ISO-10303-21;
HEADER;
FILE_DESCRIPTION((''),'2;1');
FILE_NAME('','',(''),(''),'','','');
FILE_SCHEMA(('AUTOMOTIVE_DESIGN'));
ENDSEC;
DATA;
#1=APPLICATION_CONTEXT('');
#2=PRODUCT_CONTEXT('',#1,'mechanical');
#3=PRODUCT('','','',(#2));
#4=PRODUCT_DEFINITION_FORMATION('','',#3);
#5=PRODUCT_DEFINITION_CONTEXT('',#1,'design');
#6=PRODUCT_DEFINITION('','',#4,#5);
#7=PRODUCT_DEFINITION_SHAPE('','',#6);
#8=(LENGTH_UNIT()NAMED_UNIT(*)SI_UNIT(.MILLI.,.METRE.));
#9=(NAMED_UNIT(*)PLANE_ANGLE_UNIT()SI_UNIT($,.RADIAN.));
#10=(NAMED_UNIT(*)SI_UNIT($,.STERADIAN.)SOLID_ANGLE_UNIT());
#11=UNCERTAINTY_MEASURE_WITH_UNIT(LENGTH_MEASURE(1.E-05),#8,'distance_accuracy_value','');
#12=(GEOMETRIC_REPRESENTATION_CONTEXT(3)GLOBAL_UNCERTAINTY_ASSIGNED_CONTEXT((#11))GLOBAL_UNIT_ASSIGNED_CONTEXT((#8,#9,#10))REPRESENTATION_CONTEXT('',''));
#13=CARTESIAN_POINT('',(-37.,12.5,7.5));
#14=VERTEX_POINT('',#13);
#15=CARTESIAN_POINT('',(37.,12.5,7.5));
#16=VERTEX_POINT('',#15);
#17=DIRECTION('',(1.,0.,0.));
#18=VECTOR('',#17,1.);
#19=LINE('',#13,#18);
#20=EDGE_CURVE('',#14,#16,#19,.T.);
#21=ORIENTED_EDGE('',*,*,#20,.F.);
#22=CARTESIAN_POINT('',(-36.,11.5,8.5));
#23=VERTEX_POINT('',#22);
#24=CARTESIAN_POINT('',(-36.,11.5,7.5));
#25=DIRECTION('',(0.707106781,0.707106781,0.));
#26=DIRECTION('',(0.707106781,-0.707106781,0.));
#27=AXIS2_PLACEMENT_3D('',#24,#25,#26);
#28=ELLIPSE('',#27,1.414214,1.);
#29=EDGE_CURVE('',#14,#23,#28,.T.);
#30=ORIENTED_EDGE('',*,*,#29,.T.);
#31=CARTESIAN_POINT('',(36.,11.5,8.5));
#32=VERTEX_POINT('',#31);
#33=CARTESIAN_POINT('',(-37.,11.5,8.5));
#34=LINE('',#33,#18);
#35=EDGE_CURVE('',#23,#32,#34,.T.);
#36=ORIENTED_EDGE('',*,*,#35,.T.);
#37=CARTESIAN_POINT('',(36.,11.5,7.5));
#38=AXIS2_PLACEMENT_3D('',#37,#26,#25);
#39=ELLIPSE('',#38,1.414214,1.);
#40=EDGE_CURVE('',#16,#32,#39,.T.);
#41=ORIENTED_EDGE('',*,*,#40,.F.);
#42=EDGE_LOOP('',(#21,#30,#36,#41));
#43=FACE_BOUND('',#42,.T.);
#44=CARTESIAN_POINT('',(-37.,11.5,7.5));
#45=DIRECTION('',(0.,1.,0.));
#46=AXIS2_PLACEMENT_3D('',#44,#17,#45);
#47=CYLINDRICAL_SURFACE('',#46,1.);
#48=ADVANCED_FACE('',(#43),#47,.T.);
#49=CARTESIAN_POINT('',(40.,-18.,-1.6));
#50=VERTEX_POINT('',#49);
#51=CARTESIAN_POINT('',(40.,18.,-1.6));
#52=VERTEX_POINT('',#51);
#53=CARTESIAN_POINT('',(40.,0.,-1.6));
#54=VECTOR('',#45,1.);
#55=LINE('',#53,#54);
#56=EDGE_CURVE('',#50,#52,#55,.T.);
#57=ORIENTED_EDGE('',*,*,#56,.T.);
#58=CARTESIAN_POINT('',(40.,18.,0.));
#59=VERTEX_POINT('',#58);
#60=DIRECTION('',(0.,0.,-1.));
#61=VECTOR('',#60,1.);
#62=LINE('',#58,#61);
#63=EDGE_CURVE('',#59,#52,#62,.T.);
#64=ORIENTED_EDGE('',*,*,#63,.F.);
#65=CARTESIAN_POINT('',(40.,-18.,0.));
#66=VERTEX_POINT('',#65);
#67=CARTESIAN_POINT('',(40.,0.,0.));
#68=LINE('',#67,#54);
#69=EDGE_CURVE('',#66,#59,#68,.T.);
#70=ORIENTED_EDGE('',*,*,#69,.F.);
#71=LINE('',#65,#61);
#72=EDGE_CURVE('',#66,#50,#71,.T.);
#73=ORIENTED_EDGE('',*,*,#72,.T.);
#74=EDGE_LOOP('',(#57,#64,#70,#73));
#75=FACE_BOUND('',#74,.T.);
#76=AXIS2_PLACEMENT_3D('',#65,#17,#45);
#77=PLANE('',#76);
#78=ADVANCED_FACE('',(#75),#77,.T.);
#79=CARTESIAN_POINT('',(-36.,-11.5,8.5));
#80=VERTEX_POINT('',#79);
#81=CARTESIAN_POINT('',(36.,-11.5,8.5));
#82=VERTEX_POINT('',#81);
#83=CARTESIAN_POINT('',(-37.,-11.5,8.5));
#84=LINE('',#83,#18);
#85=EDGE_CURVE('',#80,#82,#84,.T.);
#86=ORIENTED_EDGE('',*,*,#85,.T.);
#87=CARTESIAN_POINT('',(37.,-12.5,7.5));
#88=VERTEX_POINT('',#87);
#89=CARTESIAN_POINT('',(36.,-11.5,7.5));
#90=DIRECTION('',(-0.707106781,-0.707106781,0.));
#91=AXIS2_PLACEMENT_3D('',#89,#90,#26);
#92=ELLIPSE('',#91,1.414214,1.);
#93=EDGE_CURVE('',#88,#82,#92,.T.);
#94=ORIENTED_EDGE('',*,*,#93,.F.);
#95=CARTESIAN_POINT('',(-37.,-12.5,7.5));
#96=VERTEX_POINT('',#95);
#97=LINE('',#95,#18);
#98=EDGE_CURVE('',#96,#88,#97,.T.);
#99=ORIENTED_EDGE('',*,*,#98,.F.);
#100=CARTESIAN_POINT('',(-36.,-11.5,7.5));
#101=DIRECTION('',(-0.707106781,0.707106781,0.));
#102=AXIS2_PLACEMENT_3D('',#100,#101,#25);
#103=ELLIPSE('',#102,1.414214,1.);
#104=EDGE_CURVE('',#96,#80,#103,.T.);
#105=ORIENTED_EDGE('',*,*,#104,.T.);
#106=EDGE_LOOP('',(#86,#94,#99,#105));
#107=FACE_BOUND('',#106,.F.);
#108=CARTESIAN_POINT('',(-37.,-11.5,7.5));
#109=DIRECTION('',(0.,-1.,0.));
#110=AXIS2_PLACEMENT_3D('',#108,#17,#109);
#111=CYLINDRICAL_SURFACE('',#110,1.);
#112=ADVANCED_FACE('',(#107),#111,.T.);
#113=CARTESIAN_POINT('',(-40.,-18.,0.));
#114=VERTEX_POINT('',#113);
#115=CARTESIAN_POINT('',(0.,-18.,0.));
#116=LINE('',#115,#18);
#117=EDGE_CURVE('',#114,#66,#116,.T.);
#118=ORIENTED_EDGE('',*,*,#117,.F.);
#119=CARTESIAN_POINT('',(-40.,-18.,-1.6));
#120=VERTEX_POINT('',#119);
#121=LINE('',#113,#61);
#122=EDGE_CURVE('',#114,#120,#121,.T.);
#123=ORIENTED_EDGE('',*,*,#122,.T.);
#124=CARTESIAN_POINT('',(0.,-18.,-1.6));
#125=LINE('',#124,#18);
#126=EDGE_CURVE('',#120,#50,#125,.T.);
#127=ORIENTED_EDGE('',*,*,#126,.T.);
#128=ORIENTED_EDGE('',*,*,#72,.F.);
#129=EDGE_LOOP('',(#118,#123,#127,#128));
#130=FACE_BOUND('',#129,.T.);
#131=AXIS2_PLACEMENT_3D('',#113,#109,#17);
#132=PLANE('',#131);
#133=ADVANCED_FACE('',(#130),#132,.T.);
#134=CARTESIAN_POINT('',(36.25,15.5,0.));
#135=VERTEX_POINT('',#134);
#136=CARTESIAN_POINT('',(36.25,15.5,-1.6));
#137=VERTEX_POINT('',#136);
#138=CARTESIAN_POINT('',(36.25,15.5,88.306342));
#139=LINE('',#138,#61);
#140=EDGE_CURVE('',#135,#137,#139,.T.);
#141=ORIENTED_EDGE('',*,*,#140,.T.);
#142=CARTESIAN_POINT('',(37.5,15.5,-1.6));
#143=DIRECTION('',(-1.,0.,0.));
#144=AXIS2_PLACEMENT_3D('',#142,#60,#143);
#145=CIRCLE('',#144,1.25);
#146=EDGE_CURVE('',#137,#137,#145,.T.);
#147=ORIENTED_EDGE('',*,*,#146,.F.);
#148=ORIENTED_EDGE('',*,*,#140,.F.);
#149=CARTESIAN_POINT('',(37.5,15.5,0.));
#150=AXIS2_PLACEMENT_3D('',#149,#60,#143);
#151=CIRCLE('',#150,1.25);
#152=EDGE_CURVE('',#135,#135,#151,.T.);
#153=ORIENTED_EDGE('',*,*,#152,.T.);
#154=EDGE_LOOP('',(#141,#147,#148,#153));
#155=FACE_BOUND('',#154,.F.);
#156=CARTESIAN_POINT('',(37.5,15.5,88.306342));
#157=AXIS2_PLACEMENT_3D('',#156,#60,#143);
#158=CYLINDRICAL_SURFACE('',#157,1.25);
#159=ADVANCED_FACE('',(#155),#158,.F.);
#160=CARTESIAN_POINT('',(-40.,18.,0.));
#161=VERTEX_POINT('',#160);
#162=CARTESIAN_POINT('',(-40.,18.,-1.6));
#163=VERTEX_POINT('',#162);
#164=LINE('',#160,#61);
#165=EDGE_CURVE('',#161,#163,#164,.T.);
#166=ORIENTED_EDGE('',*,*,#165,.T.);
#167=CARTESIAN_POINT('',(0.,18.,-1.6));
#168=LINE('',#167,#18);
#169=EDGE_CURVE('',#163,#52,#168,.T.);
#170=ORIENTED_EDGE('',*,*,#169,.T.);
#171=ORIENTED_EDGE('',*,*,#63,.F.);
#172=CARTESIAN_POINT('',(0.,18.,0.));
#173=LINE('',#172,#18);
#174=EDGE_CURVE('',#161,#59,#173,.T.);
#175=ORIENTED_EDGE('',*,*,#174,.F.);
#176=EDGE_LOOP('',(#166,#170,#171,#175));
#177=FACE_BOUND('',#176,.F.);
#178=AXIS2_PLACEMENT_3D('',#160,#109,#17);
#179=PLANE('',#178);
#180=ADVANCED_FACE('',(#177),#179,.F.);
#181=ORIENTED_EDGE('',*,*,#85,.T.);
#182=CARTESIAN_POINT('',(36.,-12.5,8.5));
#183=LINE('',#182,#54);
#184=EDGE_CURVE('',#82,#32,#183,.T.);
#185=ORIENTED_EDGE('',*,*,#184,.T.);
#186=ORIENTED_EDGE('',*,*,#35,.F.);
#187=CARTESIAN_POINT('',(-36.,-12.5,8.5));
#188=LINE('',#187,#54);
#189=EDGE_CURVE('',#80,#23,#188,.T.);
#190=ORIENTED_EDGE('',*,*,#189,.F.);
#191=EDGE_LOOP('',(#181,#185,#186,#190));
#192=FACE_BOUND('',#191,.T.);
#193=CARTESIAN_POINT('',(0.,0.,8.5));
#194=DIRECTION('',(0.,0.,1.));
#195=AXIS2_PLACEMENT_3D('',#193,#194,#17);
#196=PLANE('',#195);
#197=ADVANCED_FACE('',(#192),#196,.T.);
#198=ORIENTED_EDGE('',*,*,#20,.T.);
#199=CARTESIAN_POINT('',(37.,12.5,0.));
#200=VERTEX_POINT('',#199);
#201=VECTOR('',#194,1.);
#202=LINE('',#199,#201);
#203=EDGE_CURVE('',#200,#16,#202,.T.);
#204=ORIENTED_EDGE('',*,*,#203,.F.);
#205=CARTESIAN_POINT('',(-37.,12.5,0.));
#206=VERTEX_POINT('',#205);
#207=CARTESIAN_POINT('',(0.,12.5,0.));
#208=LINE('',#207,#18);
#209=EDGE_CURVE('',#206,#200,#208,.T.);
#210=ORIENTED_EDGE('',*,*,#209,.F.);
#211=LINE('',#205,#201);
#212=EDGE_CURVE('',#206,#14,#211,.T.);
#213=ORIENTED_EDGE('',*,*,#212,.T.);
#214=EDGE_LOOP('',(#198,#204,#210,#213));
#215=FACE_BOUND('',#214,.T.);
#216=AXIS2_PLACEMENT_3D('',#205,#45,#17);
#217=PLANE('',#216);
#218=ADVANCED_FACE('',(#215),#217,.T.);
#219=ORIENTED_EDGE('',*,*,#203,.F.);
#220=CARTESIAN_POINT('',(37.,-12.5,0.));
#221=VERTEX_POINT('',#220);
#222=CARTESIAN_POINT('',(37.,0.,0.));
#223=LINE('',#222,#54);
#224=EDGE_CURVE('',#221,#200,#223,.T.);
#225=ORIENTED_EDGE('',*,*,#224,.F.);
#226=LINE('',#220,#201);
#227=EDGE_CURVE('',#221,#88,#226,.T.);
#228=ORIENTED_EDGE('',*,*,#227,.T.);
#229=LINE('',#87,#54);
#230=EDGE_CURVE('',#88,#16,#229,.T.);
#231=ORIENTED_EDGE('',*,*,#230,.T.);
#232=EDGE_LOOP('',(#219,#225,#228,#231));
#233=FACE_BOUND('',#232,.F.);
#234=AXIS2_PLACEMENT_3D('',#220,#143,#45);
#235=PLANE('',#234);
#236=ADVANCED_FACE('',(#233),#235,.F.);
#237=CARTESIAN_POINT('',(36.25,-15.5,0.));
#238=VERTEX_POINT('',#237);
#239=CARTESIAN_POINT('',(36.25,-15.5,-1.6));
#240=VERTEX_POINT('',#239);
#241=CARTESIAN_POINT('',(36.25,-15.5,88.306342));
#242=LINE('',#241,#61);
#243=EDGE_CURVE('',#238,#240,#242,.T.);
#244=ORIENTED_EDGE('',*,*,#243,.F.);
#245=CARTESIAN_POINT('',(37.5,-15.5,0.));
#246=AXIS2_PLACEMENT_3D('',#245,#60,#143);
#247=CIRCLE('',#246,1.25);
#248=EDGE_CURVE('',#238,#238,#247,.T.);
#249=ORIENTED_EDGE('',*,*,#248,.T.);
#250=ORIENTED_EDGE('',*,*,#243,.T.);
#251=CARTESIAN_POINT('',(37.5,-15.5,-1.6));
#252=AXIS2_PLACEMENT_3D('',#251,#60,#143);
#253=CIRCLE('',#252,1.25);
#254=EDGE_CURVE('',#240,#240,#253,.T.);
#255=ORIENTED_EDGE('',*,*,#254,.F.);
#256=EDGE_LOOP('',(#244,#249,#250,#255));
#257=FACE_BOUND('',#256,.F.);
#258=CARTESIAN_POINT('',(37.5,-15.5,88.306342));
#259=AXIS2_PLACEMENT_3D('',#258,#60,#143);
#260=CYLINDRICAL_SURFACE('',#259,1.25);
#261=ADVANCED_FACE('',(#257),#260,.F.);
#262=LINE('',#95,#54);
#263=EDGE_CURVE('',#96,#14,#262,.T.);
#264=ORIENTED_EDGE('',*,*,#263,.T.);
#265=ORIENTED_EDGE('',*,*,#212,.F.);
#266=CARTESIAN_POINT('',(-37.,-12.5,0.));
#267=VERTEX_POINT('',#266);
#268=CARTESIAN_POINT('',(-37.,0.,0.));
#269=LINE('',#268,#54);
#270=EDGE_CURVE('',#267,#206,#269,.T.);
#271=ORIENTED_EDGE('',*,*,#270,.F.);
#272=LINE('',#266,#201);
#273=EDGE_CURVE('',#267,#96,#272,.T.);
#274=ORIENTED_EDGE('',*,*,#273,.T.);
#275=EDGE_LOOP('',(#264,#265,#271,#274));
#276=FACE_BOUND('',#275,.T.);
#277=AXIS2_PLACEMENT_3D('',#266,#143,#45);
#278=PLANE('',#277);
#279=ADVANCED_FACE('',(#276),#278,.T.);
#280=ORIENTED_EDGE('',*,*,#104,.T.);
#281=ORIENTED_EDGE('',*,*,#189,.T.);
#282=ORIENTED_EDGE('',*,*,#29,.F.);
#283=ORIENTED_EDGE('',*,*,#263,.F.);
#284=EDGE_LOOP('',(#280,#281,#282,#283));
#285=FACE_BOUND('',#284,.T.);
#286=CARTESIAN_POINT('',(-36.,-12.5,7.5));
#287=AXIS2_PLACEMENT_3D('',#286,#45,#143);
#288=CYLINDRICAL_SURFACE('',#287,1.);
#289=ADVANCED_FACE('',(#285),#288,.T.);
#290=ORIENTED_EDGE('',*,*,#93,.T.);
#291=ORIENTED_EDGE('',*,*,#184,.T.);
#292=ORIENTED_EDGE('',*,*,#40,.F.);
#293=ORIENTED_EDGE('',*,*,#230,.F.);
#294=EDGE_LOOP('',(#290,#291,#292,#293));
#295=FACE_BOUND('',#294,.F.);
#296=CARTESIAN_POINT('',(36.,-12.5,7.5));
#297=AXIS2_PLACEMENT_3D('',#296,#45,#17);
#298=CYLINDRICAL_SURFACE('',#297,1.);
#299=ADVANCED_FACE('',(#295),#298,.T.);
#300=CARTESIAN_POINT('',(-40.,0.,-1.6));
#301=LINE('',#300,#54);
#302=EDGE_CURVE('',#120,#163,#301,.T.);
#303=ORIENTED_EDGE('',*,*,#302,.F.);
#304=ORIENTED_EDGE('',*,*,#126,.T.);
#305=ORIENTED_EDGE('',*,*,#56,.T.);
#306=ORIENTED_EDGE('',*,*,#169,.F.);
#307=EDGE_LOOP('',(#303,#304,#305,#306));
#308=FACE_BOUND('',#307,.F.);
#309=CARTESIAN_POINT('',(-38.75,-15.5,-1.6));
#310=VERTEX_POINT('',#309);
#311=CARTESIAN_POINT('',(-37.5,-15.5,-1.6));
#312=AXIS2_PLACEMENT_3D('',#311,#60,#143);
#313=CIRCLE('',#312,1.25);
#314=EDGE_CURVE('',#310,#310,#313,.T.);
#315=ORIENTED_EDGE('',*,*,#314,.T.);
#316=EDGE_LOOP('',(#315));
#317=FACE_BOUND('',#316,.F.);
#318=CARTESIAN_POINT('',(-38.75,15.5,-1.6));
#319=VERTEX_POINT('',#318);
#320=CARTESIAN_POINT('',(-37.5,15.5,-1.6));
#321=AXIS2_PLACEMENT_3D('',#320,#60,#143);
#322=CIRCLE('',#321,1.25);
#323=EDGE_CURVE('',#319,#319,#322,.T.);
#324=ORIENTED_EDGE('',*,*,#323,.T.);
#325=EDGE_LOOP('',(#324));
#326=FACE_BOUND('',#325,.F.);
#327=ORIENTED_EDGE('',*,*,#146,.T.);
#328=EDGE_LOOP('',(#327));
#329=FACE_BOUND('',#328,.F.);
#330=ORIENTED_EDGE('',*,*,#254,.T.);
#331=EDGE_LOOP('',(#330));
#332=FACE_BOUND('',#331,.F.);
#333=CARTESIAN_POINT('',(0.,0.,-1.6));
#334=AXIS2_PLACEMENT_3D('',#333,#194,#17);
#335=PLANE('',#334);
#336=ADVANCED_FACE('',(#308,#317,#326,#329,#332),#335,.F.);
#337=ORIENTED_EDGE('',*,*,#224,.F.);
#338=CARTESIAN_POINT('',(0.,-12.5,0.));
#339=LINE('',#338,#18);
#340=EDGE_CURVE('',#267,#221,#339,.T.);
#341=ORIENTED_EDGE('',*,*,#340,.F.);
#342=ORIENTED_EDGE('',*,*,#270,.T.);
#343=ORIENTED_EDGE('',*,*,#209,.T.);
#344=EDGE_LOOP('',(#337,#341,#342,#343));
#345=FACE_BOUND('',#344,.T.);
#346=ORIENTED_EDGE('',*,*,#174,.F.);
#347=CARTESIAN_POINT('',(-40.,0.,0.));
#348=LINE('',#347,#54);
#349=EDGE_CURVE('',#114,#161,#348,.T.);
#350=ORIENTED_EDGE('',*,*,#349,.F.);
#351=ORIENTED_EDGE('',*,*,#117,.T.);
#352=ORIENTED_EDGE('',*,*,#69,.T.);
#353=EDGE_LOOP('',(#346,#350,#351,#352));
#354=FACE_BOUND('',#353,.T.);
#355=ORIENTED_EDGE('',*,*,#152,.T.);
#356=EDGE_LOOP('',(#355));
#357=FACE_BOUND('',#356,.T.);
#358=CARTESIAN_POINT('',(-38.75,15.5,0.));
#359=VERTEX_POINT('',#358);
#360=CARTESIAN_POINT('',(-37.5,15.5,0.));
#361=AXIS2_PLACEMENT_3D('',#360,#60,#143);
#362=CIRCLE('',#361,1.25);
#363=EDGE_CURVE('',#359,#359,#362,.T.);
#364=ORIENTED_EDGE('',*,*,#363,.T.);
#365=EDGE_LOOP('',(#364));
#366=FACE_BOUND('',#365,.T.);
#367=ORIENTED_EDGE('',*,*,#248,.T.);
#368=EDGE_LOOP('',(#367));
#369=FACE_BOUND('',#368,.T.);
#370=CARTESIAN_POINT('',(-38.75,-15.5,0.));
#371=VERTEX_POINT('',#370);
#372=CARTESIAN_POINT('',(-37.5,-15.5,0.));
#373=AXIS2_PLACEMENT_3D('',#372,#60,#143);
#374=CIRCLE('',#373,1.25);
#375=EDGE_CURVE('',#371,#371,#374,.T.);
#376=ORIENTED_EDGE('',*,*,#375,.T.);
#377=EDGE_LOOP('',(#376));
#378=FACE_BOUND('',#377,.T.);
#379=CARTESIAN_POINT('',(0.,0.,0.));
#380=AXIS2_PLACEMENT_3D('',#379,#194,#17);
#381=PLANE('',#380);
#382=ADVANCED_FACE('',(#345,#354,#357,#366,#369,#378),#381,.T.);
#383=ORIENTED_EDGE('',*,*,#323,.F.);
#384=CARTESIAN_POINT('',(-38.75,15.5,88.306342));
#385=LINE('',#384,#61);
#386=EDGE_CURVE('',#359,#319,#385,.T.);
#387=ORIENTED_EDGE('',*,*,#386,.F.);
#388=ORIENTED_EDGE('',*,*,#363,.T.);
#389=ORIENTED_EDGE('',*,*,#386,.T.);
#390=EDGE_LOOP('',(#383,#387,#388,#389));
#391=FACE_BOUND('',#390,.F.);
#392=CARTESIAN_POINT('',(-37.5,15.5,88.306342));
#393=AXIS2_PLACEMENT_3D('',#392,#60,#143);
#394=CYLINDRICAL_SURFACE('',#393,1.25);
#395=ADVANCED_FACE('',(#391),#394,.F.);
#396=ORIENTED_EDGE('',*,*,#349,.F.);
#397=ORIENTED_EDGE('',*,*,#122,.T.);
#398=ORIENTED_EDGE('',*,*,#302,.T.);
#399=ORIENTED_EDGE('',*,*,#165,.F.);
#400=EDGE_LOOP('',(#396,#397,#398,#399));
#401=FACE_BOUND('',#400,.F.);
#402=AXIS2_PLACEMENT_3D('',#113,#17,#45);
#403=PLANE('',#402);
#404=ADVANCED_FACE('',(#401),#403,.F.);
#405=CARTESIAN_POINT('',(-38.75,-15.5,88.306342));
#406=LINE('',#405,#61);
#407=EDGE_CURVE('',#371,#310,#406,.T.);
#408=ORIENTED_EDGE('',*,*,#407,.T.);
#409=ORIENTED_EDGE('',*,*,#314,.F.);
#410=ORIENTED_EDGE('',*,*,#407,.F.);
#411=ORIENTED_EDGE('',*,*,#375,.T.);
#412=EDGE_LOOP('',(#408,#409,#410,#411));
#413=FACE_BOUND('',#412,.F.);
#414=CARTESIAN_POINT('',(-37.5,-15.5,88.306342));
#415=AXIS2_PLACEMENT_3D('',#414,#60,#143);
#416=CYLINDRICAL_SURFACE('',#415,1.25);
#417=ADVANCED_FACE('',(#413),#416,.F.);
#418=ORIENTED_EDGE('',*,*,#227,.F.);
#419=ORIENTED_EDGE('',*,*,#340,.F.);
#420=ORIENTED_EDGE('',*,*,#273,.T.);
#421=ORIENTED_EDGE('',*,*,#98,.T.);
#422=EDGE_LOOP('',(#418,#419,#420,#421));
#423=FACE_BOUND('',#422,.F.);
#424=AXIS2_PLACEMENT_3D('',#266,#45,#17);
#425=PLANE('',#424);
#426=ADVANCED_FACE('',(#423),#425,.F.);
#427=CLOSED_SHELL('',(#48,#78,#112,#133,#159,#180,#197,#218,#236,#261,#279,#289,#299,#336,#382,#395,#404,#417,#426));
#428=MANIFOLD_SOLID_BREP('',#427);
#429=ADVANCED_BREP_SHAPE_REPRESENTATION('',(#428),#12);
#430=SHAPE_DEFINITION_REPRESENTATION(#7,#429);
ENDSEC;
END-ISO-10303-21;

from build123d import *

# Parameters (mm, degrees)
F0_W     = 80
F0_H     = 36
F0_W_2   = 74
F0_H_2   = 25
F1_DEPTH = 1.6
F2_DEPTH = 8.5
F3_D     = 2.5
F4_R     = 1


with BuildPart() as f1:
    # F0 (on Top) → F1 (new body)
    with BuildSketch(Plane.XY):
        Rectangle(F0_W, F0_H)
        Rectangle(F0_W_2, F0_H_2, mode=Mode.SUBTRACT)
        Rectangle(F0_W_2, F0_H_2)
    extrude(amount=-F1_DEPTH)

    # F0 (on Top) → F2 (join)
    with BuildSketch(Plane.XY):
        Rectangle(F0_W_2, F0_H_2)
    extrude(amount=F2_DEPTH)

    # F3 (through all)
    with Locations(Plane.XY):
        with Locations((-37.5, 15.5), (37.5, 15.5), (37.5, -15.5), (-37.5, -15.5)):
            Hole(F3_D / 2)

    # F4
    f4_edges = [f1.edges().sort_by_distance(p)[0] for p in [
        (0, 12.5, 8.5),
        (-37, 0, 8.5),
        (0, -12.5, 8.5),
        (37, 0, 8.5),
    ]]
    fillet(f4_edges, radius=F4_R)


solid = f1.part
